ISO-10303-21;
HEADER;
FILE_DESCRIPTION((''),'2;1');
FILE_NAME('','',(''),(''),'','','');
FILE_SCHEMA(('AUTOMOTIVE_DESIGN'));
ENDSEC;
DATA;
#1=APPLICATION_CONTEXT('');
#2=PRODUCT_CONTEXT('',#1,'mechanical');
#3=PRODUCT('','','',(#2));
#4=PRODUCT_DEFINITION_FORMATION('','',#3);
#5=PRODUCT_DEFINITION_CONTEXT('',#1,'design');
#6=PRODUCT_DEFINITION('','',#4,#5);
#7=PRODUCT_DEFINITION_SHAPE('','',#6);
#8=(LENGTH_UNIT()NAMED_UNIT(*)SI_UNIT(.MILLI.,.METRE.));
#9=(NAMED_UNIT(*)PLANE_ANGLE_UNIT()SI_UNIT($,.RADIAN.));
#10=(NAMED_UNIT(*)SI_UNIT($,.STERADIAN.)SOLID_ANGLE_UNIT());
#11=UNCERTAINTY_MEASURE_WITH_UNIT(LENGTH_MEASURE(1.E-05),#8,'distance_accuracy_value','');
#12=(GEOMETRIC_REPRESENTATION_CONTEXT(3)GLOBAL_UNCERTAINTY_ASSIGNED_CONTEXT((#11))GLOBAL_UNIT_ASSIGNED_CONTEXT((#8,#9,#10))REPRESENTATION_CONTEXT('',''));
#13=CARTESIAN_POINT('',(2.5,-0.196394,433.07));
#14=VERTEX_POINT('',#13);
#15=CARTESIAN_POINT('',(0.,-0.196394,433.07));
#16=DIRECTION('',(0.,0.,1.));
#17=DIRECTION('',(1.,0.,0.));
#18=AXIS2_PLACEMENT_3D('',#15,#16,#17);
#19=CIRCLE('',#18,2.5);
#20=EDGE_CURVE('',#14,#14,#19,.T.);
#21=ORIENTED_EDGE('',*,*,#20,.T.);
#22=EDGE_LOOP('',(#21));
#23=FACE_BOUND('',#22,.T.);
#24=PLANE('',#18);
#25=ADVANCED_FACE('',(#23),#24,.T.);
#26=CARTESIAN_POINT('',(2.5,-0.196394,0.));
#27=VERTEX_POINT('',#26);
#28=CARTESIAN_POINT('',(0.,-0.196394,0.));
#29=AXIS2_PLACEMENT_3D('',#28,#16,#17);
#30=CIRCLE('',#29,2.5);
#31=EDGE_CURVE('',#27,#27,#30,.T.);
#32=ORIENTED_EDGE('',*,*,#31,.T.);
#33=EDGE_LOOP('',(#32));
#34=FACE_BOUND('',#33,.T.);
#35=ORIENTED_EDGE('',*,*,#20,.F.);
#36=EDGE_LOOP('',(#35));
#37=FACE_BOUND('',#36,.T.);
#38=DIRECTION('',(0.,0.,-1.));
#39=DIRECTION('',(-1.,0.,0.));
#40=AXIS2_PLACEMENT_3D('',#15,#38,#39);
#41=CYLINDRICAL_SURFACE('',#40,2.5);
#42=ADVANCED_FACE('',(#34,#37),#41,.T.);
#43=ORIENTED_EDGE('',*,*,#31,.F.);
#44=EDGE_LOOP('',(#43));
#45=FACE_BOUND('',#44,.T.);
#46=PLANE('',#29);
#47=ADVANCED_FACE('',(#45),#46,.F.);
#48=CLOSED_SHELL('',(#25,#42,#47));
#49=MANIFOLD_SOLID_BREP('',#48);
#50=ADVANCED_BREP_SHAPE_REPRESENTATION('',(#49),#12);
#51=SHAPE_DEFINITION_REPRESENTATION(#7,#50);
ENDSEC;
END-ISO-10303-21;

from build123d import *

# Parameters (mm, degrees)
SKETCH_1_R      = 2.5
EXTRUDE_1_DEPTH = 433.07


with BuildPart() as part:
    # 草图1 → 凸台-拉伸1 (new body)
    with BuildSketch(Plane.XY):
        with Locations((0, -0.19639398)):
            Circle(SKETCH_1_R)
    extrude(amount=EXTRUDE_1_DEPTH)


solid = part.part
